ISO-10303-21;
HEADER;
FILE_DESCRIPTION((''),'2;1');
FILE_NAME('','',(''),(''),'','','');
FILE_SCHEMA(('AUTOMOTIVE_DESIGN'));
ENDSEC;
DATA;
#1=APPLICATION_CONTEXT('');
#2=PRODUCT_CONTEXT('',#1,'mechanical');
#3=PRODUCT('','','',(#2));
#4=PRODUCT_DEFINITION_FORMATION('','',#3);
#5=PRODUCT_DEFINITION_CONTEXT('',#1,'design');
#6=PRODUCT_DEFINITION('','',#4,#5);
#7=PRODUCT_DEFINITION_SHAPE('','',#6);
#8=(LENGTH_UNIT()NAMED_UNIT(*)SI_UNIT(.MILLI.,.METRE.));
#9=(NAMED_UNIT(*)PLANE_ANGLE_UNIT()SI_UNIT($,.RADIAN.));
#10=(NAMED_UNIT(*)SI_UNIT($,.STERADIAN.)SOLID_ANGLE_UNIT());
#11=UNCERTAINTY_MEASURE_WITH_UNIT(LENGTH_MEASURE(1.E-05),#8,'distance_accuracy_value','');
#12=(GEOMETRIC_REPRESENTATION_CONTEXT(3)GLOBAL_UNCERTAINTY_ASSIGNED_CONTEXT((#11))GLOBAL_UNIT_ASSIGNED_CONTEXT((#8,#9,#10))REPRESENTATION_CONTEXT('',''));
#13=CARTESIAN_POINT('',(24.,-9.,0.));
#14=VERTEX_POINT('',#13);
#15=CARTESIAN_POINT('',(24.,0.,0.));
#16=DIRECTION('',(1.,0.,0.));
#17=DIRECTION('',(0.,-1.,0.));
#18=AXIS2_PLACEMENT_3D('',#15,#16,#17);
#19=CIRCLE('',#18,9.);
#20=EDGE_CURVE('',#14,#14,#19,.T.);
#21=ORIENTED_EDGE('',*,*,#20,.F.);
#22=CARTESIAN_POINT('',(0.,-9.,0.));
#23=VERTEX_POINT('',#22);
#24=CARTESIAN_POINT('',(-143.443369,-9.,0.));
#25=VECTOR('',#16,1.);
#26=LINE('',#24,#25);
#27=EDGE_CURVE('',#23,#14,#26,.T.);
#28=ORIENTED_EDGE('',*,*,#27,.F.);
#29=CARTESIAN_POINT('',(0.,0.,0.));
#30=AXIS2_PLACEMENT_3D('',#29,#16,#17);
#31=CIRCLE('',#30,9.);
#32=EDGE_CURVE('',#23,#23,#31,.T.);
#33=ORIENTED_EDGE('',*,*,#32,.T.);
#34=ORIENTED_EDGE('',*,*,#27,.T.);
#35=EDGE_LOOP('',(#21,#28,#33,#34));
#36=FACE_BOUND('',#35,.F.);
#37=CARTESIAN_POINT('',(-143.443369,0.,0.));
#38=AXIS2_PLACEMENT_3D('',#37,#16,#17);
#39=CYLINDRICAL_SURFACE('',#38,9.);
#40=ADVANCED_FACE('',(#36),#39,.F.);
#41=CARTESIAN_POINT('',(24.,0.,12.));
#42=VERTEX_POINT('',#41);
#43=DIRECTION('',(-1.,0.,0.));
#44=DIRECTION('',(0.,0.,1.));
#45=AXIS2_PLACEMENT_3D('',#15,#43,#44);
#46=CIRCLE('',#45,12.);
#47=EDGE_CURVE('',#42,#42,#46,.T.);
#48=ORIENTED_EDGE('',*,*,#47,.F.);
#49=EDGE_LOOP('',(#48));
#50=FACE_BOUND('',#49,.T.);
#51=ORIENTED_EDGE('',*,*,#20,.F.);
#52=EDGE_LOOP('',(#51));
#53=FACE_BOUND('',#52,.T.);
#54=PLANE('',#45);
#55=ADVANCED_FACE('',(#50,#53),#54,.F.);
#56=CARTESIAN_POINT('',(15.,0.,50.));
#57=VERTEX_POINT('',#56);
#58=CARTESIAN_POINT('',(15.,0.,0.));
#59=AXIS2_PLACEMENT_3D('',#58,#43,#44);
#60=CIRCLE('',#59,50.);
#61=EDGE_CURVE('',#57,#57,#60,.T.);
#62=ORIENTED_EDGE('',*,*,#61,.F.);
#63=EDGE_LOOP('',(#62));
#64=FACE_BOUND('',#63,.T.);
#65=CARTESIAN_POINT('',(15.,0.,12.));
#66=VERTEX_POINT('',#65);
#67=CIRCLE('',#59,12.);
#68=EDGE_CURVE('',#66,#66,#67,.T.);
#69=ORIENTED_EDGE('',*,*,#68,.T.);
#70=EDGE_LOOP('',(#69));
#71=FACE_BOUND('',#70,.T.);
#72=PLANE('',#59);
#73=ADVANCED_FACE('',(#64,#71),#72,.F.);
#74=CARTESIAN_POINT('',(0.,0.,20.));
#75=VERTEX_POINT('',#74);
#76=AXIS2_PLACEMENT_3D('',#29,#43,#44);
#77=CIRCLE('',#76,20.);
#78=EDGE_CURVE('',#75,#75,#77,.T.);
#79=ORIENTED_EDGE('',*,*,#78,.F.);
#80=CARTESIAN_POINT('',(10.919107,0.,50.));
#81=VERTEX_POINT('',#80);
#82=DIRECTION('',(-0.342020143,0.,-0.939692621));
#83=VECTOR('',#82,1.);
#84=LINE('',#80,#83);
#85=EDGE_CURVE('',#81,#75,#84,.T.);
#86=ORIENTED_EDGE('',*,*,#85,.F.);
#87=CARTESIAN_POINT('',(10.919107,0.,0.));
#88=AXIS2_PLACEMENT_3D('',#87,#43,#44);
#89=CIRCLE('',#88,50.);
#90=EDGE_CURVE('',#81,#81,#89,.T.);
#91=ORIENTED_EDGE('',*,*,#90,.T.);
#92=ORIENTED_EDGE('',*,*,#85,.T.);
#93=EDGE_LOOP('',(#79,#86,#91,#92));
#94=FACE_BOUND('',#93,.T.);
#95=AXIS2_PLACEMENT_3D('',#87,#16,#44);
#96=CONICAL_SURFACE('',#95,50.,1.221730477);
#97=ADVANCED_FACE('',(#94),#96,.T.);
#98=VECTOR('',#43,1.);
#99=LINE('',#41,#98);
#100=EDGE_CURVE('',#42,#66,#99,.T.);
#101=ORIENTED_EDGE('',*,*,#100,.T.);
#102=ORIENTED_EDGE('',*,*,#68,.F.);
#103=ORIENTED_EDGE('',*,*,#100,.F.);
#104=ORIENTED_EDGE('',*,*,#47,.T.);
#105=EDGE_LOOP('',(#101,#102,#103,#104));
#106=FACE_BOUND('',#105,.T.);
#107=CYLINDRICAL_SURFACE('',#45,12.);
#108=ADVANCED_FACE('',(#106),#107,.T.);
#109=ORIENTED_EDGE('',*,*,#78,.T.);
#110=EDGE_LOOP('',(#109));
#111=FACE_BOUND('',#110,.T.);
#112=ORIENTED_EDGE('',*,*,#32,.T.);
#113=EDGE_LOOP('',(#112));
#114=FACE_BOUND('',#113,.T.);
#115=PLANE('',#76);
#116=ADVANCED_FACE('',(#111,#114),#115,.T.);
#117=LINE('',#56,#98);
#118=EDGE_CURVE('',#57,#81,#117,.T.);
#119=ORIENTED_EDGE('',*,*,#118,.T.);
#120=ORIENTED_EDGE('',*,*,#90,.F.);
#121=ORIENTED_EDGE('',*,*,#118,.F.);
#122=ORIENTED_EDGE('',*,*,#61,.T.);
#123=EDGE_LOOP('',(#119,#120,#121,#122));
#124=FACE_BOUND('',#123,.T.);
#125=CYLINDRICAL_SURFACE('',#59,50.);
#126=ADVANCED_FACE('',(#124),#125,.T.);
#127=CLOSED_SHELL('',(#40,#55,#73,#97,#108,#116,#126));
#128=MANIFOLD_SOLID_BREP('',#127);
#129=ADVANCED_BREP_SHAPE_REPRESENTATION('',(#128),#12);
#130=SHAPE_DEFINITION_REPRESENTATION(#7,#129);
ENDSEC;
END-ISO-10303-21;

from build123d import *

# Parameters (mm, degrees)
F3_D = 18


with BuildPart() as f1:
    # F0 (on Front) → F1 (revolve)
    with BuildSketch(Plane.XZ):
        Polygon((10.919107, 50), (0, 20), (0, 0), (24, 0), (24, 12), (15, 12), (15, 50), align=None)
    revolve(axis=Axis((12, 0, 0), (-1, 0, 0)))

    # F3 (through all)
    with Locations(Plane(origin=(0, 0, 0), x_dir=(0, 1, 0), z_dir=(-1, 0, 0))):
        with Locations((0, 0)):
            Hole(F3_D / 2)


solid = f1.part
